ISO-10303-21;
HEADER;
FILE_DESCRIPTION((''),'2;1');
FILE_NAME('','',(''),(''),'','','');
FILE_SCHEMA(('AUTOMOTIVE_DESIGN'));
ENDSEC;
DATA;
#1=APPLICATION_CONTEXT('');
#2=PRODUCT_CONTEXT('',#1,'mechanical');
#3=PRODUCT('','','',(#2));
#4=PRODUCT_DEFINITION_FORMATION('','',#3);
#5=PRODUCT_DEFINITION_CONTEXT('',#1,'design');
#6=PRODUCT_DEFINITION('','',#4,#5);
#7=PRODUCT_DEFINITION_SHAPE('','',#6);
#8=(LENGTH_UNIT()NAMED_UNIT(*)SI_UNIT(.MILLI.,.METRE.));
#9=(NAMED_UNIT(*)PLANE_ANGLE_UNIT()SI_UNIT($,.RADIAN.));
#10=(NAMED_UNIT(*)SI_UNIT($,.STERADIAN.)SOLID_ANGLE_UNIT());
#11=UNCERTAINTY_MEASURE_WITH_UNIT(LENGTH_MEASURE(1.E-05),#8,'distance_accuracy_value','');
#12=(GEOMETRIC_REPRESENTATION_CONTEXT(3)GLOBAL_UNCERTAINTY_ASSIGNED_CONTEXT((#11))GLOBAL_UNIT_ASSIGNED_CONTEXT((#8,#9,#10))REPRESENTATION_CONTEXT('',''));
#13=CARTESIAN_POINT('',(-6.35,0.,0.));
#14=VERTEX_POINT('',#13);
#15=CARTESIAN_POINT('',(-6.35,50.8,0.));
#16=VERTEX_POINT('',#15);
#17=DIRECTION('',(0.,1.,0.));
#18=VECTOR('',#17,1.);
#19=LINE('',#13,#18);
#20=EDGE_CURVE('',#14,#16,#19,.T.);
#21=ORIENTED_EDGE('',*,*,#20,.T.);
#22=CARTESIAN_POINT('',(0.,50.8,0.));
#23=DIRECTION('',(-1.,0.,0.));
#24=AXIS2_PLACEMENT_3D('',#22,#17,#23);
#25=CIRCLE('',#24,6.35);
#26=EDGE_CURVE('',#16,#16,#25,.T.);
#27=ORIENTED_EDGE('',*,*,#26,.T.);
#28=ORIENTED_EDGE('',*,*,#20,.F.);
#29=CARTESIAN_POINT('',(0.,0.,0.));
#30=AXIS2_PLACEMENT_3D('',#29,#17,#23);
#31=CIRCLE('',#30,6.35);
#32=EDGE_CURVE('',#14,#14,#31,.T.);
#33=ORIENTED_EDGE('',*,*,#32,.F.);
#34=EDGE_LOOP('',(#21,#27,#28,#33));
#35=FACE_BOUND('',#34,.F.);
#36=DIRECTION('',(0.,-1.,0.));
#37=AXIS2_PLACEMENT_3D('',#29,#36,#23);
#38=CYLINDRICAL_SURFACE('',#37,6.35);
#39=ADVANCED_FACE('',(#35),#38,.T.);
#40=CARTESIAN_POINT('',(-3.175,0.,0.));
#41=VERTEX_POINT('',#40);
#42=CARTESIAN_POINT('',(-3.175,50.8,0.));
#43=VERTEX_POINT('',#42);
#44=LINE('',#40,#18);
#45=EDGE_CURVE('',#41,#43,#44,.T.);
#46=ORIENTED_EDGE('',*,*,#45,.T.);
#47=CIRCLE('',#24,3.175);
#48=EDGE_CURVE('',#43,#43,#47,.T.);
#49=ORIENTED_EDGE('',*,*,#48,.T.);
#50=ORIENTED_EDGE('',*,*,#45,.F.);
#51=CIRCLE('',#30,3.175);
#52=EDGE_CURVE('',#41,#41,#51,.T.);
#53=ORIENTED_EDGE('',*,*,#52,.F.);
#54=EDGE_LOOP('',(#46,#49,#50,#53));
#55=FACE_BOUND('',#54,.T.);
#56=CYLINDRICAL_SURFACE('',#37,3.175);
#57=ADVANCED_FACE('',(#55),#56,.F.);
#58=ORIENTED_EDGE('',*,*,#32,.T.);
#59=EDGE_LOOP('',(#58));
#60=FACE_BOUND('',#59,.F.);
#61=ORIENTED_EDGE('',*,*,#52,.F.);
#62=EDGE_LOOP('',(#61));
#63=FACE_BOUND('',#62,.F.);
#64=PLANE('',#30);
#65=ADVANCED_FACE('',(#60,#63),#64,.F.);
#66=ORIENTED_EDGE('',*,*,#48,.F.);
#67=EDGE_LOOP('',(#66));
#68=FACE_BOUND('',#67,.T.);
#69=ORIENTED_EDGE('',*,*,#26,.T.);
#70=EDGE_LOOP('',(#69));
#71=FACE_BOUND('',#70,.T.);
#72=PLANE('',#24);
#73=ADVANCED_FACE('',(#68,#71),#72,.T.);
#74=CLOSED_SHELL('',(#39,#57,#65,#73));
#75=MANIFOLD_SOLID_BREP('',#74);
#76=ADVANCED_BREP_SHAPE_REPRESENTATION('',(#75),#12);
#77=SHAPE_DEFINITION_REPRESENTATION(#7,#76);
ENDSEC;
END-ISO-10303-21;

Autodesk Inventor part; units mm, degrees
ref_plane "YZ Plane" through (0, 0, 0) normal (1, 0, 0) x (0, 1, 0)
ref_plane "XZ Plane" through (0, 0, 0) normal (0, 1, 0) x (-1, 0, 0)
ref_plane "XY Plane" through (0, 0, 0) normal (0, 0, 1) x (1, 0, 0)
sketch "Sketch1" plane through (0, 0, 0) normal (0, 1, 0) x (-1, 0, 0)
  circle A0 centre (0, 0) radius 3.175
  circle A1 centre (0, 0) radius 6.35
  dimension "d0" = 6.35
  dimension "d1" = 12.7
extrude "Extrusion1" add sketch "Sketch1" along normal blind 50.8
thread "Thread1" size "5/16-18 UNC" class "2B" standard "ANSI Unified Screw Threads" full length
properties part number "MainDriveStandOff"
